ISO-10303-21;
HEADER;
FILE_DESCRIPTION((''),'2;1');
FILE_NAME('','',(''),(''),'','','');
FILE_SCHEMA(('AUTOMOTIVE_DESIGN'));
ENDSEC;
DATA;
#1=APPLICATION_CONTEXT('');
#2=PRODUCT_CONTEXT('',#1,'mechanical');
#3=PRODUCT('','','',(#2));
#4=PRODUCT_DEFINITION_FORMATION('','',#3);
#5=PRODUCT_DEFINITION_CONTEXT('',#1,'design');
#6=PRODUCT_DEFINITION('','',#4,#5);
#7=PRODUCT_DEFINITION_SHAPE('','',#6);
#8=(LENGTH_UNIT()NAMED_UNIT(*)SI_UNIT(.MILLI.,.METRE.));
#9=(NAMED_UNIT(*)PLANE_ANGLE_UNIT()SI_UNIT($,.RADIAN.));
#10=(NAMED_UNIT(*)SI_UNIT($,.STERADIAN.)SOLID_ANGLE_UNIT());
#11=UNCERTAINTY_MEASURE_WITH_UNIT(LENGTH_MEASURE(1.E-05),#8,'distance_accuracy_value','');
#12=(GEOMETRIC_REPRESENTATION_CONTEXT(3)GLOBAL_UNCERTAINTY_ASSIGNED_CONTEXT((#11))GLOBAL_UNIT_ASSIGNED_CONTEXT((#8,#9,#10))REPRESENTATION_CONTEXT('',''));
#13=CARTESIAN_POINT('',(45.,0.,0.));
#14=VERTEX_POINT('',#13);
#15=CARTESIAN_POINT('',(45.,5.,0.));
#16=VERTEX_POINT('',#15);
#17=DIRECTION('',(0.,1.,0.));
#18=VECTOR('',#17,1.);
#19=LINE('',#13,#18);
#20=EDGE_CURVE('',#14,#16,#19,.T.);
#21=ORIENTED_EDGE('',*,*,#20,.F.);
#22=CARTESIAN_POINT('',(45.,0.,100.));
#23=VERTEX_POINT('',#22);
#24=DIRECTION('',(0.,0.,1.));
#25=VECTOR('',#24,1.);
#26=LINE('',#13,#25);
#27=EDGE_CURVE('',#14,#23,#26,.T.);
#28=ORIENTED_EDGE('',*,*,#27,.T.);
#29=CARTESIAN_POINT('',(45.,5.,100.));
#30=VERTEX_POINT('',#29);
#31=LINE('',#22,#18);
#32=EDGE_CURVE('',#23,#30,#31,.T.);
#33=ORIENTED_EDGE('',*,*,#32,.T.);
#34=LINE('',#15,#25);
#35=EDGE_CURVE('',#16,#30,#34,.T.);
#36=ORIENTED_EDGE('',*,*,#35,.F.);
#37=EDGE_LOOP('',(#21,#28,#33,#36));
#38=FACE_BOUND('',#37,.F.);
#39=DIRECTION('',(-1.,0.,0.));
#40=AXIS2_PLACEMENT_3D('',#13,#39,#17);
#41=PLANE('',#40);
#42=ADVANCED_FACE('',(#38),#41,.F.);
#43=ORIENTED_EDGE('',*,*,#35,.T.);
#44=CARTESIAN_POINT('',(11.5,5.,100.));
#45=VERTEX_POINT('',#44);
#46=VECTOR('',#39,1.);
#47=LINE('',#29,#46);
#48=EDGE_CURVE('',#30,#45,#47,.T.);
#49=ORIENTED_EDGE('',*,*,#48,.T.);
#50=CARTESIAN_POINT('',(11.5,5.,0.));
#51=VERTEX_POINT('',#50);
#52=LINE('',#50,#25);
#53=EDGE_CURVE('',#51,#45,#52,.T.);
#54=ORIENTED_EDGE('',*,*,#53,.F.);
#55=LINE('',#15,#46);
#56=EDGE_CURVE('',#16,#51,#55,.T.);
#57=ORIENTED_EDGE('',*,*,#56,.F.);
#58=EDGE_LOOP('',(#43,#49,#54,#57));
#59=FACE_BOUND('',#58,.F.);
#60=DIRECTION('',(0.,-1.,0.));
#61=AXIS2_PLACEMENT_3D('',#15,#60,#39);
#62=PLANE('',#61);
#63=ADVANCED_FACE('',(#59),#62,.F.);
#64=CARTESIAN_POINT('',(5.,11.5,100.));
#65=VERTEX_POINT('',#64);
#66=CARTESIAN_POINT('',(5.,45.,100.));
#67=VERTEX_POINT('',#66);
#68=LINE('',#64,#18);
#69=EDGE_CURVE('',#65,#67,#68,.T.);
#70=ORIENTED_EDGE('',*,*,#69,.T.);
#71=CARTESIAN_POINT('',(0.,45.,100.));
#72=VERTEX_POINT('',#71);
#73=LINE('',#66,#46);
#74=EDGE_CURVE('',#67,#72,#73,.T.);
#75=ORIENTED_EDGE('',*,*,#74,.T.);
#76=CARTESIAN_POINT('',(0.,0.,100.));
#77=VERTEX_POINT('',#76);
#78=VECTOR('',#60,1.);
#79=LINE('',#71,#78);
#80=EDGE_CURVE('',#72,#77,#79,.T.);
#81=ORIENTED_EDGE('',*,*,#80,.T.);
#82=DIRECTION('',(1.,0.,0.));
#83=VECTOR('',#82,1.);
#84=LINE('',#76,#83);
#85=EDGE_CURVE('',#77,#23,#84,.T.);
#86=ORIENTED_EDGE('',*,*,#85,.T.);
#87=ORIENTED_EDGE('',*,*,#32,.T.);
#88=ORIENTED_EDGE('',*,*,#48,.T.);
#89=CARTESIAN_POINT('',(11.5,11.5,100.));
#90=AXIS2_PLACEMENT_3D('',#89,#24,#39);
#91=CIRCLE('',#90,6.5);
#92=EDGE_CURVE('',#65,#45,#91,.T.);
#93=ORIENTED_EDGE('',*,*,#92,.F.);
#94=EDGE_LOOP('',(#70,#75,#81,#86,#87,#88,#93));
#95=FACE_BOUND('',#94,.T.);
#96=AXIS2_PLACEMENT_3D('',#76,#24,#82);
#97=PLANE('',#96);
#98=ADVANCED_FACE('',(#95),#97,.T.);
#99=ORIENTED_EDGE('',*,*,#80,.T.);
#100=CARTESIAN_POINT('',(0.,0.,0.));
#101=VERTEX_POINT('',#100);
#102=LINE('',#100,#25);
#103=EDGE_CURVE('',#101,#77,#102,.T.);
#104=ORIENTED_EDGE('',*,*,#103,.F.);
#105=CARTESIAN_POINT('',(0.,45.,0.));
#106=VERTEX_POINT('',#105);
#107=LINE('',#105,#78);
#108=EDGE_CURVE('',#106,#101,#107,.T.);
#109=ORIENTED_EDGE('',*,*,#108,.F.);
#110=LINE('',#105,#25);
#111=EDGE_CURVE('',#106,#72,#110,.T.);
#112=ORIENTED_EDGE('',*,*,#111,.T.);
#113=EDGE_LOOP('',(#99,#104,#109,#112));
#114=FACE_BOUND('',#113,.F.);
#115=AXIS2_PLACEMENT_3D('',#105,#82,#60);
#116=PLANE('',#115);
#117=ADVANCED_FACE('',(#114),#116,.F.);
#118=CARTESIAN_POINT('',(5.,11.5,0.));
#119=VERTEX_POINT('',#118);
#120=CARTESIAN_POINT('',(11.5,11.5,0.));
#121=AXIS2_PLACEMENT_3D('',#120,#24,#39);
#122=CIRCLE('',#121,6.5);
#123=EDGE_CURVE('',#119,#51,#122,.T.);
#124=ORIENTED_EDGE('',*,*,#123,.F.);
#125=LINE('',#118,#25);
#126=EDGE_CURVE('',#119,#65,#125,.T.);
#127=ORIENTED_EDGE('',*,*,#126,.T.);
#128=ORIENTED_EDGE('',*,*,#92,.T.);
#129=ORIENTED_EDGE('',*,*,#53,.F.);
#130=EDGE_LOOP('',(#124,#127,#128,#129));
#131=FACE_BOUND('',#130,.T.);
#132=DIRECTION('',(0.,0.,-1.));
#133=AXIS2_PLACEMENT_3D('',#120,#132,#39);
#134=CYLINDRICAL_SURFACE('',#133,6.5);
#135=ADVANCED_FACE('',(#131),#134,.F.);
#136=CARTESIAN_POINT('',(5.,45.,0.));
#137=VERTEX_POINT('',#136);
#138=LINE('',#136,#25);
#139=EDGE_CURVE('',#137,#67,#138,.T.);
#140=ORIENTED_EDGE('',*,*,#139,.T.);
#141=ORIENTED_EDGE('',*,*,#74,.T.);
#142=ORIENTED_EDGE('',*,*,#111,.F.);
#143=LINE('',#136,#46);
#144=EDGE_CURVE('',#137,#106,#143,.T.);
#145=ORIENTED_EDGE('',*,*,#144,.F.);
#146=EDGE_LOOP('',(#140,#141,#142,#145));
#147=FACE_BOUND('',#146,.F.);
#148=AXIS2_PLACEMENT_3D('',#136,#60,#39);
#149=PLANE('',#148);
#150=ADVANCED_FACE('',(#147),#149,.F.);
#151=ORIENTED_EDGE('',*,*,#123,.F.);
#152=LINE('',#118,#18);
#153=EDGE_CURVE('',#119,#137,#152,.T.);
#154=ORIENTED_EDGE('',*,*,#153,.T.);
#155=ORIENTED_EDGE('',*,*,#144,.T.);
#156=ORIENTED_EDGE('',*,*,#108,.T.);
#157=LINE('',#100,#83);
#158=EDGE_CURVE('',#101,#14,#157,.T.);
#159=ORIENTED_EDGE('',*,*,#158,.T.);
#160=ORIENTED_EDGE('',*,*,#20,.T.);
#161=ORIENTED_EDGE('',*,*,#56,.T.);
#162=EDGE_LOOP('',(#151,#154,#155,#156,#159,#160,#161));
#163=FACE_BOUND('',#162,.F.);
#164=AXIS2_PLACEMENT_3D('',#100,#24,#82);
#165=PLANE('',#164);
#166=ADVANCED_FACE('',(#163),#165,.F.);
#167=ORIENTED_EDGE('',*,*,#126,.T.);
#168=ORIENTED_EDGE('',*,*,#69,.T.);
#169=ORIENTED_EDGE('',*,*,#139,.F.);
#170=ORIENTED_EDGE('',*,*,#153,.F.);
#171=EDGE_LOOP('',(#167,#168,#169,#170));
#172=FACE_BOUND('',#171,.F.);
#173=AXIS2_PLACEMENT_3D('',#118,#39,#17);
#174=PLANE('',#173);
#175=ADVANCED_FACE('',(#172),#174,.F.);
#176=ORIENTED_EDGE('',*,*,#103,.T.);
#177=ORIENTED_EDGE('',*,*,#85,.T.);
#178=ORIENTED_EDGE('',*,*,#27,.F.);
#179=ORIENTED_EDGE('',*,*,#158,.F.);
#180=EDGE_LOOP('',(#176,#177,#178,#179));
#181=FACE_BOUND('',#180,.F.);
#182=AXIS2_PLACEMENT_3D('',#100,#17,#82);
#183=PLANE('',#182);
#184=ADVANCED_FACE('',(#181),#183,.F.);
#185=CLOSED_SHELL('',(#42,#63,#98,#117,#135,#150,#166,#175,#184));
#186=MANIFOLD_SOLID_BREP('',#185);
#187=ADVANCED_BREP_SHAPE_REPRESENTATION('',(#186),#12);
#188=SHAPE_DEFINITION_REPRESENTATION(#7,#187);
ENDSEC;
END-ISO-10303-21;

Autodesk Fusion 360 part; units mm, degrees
sketch "スケッチ1" plane through (0, 0, 0) normal (0, 0, 1) x (1, 0, 0)
  arc A0 (5, 11.5) -> (11.5, 5) centre (11.5, 11.5) ccw
  line L0 (0, 45) -> (0, 0)
  line L1 (45, 5) -> (11.5, 5)
  line L2 (0, 0) -> (45, 0)
  line L3 (45, 0) -> (45, 5)
  line L4 (5, 11.5) -> (5, 45)
  line L5 (5, 45) -> (0, 45)
extrude "押し出し1" add sketch "スケッチ1" along normal blind 100
